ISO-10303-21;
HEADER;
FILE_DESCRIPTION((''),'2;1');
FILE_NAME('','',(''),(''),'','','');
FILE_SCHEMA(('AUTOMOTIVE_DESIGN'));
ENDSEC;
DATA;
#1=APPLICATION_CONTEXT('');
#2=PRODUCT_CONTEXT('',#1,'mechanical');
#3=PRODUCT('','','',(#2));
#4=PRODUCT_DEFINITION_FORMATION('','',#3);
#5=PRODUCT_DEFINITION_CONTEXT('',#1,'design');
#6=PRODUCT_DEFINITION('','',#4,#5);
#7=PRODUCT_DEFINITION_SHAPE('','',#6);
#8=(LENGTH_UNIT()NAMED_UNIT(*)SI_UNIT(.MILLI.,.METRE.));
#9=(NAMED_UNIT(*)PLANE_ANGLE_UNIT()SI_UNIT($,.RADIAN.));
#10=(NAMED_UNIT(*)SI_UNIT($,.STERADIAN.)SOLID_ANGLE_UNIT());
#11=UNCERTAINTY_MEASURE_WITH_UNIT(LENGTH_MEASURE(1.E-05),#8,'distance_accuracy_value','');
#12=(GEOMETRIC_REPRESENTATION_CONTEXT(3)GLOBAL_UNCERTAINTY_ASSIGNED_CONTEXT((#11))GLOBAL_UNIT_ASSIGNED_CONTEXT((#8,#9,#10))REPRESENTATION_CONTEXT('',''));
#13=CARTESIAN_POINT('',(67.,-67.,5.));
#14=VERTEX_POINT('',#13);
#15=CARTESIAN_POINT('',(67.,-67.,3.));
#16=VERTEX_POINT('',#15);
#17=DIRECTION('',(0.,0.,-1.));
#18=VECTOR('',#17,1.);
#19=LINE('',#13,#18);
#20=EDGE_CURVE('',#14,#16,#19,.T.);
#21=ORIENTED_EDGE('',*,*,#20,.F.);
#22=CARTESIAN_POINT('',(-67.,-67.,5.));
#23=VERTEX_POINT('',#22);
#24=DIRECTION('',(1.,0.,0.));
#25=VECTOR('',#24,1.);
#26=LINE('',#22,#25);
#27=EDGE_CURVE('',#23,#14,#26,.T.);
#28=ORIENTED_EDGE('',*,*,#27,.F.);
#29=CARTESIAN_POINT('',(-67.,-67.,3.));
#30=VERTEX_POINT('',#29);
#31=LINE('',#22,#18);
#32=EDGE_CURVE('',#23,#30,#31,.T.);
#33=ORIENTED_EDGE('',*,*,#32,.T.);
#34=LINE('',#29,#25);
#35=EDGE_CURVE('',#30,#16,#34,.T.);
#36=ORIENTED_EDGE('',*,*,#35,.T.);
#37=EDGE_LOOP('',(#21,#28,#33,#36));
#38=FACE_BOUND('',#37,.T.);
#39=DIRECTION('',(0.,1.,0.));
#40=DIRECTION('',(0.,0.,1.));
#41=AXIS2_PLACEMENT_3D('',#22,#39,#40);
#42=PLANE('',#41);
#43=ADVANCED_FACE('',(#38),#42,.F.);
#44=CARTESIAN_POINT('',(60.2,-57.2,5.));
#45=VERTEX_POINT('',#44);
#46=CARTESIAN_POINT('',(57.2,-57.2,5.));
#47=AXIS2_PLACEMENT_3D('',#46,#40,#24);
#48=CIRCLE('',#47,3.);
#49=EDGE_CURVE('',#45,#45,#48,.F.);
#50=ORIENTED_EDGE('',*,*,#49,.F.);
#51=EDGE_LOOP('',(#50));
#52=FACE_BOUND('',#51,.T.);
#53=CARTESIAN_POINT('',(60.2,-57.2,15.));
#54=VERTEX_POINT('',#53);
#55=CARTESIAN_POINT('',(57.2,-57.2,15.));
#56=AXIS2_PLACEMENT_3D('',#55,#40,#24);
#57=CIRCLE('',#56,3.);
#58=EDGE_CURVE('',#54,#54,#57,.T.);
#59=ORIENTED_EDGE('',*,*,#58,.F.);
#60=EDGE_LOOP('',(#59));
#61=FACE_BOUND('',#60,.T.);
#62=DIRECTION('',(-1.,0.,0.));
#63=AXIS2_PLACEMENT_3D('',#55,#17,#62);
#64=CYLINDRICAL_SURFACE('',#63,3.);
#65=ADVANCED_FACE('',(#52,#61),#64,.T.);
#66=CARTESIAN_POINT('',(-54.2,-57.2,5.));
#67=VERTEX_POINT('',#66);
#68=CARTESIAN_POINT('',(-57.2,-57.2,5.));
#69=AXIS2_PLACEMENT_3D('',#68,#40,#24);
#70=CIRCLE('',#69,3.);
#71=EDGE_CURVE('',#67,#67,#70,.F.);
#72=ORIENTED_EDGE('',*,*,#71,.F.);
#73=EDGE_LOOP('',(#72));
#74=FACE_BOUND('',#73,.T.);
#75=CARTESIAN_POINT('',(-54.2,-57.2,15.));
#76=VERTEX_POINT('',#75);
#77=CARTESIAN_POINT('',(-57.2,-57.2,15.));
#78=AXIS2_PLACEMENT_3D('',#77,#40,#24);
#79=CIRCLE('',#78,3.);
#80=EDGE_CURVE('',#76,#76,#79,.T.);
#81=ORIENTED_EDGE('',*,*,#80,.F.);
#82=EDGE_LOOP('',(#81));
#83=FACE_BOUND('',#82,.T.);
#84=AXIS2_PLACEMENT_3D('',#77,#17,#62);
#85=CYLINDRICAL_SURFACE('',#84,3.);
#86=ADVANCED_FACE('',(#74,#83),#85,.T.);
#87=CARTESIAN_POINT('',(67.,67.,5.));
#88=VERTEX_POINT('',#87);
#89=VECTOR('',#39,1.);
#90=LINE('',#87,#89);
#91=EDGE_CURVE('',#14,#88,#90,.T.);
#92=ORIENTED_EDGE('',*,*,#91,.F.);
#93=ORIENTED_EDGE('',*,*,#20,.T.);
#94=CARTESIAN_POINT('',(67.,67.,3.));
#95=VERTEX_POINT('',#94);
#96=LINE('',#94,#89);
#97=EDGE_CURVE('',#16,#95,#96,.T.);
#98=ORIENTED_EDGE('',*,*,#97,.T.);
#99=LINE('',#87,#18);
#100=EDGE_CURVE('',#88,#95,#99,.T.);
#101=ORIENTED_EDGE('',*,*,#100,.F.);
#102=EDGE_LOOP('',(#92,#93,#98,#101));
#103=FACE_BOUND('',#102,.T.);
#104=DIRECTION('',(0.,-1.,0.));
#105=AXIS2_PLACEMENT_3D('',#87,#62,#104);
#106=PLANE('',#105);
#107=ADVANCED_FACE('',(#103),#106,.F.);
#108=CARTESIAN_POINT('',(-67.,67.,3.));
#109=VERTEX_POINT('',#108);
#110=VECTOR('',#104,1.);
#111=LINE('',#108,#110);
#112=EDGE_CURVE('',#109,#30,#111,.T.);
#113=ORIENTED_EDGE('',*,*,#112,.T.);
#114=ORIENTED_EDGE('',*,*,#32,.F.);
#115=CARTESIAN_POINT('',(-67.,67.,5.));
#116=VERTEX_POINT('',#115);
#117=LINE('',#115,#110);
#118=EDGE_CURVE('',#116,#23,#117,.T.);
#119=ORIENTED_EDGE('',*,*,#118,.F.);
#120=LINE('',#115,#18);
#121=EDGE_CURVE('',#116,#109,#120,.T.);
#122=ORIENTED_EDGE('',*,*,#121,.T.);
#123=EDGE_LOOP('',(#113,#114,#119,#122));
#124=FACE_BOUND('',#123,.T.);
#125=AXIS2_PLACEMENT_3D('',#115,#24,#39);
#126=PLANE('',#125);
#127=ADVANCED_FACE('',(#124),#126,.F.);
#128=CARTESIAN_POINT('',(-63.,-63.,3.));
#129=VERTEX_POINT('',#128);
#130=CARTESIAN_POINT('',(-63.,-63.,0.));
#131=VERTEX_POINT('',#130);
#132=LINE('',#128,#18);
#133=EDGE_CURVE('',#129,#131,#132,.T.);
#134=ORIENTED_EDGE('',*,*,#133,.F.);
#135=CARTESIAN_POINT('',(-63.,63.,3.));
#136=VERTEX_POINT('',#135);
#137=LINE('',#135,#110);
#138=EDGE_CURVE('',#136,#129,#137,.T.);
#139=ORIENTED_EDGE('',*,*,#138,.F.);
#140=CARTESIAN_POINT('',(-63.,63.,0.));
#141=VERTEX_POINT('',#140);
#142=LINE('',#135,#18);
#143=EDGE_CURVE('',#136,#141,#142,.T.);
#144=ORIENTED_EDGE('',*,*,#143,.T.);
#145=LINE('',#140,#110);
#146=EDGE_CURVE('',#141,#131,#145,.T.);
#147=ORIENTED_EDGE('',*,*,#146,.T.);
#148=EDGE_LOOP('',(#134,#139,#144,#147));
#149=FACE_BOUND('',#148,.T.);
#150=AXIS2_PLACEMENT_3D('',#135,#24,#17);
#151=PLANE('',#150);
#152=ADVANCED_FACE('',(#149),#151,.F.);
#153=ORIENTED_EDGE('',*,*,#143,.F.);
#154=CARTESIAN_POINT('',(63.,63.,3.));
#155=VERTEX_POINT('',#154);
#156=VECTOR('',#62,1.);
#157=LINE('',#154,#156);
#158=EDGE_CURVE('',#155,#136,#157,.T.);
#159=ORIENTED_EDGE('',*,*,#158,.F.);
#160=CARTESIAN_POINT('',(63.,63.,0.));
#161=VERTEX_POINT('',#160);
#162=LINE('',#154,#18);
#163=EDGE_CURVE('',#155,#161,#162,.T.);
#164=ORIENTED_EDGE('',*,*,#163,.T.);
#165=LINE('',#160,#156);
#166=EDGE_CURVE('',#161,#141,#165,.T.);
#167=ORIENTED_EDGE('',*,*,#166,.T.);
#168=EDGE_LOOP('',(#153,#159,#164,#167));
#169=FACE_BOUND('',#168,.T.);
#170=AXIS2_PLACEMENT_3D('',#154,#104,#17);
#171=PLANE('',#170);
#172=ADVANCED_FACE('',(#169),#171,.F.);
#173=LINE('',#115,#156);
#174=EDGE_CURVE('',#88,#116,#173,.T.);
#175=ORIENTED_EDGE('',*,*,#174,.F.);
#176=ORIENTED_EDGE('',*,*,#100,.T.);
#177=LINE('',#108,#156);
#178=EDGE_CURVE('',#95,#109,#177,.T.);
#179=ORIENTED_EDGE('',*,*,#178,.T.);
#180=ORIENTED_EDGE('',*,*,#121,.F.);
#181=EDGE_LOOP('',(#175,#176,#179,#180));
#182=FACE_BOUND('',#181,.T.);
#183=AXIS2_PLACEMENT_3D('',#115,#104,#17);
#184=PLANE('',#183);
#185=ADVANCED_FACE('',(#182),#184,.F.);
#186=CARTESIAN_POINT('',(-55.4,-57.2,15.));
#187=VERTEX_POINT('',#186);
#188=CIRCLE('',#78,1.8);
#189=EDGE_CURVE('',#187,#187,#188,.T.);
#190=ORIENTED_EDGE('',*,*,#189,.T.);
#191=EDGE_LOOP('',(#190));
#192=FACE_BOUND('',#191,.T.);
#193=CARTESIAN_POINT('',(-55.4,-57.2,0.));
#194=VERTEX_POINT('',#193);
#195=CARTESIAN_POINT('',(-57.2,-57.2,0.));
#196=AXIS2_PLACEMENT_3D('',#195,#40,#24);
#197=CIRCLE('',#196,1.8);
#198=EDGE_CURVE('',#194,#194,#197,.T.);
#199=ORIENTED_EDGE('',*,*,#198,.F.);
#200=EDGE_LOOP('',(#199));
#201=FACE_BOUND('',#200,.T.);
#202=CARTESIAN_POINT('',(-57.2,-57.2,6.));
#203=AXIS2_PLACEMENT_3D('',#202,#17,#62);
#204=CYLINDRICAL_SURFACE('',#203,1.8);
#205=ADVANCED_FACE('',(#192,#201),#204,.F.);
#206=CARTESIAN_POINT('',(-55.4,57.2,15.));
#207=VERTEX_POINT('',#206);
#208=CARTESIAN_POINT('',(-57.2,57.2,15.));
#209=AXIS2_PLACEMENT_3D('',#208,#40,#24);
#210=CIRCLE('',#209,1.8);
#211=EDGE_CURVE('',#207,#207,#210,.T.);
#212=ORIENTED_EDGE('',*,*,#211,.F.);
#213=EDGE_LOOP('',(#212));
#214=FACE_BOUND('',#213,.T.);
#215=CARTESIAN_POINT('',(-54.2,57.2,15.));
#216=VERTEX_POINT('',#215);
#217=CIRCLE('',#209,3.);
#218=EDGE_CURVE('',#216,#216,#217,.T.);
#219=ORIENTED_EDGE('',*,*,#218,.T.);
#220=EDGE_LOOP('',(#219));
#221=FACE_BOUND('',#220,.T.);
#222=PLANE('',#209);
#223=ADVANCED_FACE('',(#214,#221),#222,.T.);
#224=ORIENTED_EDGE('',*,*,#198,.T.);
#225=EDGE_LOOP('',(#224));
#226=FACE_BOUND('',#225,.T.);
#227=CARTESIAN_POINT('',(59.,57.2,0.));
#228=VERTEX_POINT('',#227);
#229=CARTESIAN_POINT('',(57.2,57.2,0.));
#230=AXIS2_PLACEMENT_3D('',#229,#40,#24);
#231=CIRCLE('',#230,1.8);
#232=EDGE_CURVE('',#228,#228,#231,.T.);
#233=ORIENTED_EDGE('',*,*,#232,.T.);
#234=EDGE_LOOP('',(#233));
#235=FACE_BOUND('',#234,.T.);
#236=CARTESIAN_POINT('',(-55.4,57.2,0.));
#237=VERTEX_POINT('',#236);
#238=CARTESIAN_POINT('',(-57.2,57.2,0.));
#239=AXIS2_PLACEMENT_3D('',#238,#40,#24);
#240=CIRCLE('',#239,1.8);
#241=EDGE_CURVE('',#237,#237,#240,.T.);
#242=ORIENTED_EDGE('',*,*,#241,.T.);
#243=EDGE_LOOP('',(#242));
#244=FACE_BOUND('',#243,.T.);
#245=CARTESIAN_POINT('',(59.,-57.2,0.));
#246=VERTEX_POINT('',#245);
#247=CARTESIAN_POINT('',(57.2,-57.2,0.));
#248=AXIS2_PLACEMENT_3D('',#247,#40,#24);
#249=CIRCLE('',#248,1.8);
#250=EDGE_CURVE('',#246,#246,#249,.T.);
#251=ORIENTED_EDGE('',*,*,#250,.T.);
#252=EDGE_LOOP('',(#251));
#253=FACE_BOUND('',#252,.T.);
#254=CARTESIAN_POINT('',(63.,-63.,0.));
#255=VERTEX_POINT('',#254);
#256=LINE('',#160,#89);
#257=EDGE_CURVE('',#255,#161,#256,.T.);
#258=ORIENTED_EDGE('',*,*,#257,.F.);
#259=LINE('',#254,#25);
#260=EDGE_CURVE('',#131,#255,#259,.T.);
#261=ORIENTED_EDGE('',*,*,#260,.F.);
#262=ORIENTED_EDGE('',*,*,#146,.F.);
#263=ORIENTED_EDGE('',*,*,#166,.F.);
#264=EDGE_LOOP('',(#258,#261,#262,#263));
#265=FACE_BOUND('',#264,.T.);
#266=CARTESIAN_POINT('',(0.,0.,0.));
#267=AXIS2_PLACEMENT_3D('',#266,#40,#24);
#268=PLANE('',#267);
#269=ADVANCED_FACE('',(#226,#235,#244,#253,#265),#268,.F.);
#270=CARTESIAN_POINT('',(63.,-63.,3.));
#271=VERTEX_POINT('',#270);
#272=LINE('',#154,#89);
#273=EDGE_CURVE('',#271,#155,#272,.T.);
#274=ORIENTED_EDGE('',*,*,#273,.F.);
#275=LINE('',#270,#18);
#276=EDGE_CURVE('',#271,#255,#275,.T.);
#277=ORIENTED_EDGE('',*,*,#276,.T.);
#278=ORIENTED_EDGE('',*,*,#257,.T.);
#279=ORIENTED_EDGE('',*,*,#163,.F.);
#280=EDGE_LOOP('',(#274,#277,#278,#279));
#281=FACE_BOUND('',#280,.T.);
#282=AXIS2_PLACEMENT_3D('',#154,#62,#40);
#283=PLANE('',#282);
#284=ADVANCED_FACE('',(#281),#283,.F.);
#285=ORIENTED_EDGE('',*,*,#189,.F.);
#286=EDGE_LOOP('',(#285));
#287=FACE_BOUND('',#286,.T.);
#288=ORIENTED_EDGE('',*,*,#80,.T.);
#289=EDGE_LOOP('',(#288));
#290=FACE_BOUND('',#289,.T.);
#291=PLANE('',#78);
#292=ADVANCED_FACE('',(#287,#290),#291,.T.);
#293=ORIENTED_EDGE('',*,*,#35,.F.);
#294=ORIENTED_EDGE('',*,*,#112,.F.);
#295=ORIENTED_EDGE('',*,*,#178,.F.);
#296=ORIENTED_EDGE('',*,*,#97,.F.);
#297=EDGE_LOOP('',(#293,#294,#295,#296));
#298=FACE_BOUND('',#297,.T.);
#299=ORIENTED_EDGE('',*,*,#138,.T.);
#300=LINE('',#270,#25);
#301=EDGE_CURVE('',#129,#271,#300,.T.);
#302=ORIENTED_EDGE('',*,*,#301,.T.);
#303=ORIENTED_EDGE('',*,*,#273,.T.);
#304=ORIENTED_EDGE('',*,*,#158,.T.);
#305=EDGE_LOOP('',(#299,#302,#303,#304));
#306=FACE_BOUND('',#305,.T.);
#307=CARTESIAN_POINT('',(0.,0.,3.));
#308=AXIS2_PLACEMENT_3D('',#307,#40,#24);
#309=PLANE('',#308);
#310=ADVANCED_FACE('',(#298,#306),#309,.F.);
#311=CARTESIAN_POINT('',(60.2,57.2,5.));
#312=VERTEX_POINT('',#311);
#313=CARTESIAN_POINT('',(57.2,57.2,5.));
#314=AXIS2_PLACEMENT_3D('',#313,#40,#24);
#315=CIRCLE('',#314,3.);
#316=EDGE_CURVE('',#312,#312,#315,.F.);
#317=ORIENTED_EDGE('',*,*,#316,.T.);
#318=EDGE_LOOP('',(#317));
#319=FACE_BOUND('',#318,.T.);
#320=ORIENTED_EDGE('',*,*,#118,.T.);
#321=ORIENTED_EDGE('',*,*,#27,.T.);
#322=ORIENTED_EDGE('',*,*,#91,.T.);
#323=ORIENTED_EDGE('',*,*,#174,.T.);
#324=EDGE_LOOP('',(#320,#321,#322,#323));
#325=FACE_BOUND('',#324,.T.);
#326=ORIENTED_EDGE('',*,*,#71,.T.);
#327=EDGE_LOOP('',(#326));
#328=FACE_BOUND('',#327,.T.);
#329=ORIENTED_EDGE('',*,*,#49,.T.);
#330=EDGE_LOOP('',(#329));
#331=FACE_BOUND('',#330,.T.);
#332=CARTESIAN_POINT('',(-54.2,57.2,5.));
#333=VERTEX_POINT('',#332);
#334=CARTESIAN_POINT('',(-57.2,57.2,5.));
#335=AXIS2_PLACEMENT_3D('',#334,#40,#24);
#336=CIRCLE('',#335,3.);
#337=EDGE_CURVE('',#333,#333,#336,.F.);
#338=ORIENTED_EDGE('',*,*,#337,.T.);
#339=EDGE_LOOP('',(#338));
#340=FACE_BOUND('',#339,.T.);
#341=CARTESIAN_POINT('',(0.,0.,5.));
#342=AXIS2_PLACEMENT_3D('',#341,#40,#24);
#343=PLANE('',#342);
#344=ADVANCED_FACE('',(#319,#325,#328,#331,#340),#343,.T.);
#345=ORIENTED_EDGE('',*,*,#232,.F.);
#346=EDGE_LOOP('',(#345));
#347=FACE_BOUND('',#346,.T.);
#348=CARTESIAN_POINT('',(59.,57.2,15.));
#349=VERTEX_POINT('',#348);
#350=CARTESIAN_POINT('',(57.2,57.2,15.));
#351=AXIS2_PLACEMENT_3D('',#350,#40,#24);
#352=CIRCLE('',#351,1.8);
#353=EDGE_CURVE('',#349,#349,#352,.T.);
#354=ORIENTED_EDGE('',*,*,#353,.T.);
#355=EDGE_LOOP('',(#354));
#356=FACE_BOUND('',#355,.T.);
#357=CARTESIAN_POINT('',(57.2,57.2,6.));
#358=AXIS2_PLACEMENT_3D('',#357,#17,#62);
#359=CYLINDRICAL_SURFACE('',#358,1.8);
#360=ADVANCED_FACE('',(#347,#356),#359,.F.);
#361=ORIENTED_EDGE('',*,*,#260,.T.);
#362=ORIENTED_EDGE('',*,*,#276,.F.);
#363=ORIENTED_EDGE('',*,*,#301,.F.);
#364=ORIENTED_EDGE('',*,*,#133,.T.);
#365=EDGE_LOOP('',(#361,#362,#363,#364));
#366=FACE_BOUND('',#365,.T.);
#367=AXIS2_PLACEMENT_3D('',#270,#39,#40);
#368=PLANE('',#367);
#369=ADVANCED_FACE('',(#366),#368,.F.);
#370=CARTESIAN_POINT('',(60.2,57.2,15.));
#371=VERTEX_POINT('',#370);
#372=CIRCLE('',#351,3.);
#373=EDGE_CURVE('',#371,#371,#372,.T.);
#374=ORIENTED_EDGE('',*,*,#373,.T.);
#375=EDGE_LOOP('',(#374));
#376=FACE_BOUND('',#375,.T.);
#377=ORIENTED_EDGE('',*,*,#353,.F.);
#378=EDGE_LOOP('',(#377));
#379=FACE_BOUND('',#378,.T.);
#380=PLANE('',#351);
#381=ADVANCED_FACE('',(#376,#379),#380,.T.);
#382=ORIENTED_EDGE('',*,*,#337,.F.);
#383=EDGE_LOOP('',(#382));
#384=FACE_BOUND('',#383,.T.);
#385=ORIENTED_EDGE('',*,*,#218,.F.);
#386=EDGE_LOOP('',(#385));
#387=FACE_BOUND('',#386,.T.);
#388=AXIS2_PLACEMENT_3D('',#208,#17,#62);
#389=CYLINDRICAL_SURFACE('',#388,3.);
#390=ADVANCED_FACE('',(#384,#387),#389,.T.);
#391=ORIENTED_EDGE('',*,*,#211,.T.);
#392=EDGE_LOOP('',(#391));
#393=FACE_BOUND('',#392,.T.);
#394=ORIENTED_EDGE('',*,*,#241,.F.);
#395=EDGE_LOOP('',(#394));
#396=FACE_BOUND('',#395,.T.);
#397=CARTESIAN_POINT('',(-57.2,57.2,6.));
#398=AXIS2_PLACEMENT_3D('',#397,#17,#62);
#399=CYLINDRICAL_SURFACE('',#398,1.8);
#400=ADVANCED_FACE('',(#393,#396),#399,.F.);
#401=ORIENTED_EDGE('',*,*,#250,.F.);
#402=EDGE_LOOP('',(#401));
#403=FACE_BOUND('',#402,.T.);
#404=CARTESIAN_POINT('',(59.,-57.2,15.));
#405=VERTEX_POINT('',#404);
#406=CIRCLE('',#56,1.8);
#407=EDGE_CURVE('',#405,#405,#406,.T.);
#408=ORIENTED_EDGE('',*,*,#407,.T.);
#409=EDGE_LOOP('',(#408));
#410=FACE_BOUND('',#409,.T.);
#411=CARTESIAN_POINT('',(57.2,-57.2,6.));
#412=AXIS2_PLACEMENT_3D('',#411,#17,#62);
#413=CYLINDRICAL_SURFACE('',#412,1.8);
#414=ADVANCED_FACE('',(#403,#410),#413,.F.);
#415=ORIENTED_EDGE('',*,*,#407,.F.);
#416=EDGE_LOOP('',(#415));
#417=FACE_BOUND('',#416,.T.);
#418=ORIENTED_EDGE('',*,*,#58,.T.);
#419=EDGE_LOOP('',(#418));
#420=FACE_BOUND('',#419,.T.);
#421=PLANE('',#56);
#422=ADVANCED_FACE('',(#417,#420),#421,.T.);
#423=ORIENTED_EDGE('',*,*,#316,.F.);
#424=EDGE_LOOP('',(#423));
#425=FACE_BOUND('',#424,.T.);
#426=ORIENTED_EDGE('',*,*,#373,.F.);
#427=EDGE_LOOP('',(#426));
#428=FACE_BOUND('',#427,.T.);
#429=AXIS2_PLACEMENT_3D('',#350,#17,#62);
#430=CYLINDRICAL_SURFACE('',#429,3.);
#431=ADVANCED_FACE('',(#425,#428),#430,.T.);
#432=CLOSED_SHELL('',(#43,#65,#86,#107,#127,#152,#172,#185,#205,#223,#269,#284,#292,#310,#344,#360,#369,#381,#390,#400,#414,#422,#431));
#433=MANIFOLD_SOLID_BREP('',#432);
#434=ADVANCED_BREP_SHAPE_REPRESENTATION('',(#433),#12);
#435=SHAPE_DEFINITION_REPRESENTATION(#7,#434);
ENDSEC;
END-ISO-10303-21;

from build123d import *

# Parameters (mm, degrees)
ESQUISSE1_W             = 134
ESQUISSE1_H             = 134
BOSS_EXTRU_1_DEPTH      = 5
ESQUISSE5_W             = 134
ESQUISSE5_H             = 134
ESQUISSE5_W_2           = 126
ESQUISSE5_H_2           = 126
ENL_V_MAT_EXTRU_1_DEPTH = 3
ESQUISSE6_R             = 1.8
ENL_V_MAT_EXTRU_2_DEPTH = 6
ESQUISSE7_R             = 3
ESQUISSE7_R_2           = 1.8
BOSS_EXTRU_2_DEPTH      = 15
ESQUISSE8_R             = 3
ESQUISSE8_R_2           = 1.8
BOSS_EXTRU_3_DEPTH      = 15
ESQUISSE9_R             = 3
ESQUISSE9_R_2           = 1.8
BOSS_EXTRU_6_DEPTH      = 15
ESQUISSE10_R            = 3
ESQUISSE10_R_2          = 1.8
BOSS_EXTRU_7_DEPTH      = 15


with BuildPart() as part:
    # Esquisse1 → Boss.-Extru.1 (new body)
    with BuildSketch(Plane.XY):
        Rectangle(ESQUISSE1_W, ESQUISSE1_H)
    extrude(amount=BOSS_EXTRU_1_DEPTH)

    # Esquisse5 → Enlèv. mat.-Extru.1 (cut)
    with BuildSketch(Plane.XY):
        Rectangle(ESQUISSE5_W, ESQUISSE5_H)
        Rectangle(ESQUISSE5_W_2, ESQUISSE5_H_2, mode=Mode.SUBTRACT)
    extrude(amount=ENL_V_MAT_EXTRU_1_DEPTH, mode=Mode.SUBTRACT)

    # Esquisse6 → Enlèv. mat.-Extru.2 (cut)
    with BuildSketch(Plane.XY):
        with Locations((57.2, 57.2)):
            Circle(ESQUISSE6_R)
        with Locations((57.2, -57.2)):
            Circle(ESQUISSE6_R)
        with Locations((-57.2, -57.2)):
            Circle(ESQUISSE6_R)
        with Locations((-57.2, 57.2)):
            Circle(ESQUISSE6_R)
    extrude(amount=ENL_V_MAT_EXTRU_2_DEPTH, mode=Mode.SUBTRACT)

    # Esquisse7 → Boss.-Extru.2 (add)
    with BuildSketch(Plane.XY):
        with Locations((57.2, 57.2)):
            Circle(ESQUISSE7_R)
        with Locations((57.2, 57.2)):
            Circle(ESQUISSE7_R_2, mode=Mode.SUBTRACT)
    extrude(amount=BOSS_EXTRU_2_DEPTH)

    # Esquisse8 → Boss.-Extru.3 (add)
    with BuildSketch(Plane.XY):
        with Locations((-57.2, 57.2)):
            Circle(ESQUISSE8_R)
        with Locations((-57.2, 57.2)):
            Circle(ESQUISSE8_R_2, mode=Mode.SUBTRACT)
    extrude(amount=BOSS_EXTRU_3_DEPTH)

    # Esquisse9 → Boss.-Extru.6 (add)
    with BuildSketch(Plane.XY):
        with Locations((-57.2, -57.2)):
            Circle(ESQUISSE9_R)
        with Locations((-57.2, -57.2)):
            Circle(ESQUISSE9_R_2, mode=Mode.SUBTRACT)
    extrude(amount=BOSS_EXTRU_6_DEPTH)

    # Esquisse10 → Boss.-Extru.7 (add)
    with BuildSketch(Plane.XY):
        with Locations((57.2, -57.2)):
            Circle(ESQUISSE10_R)
        with Locations((57.2, -57.2)):
            Circle(ESQUISSE10_R_2, mode=Mode.SUBTRACT)
    extrude(amount=BOSS_EXTRU_7_DEPTH)


solid = part.part
